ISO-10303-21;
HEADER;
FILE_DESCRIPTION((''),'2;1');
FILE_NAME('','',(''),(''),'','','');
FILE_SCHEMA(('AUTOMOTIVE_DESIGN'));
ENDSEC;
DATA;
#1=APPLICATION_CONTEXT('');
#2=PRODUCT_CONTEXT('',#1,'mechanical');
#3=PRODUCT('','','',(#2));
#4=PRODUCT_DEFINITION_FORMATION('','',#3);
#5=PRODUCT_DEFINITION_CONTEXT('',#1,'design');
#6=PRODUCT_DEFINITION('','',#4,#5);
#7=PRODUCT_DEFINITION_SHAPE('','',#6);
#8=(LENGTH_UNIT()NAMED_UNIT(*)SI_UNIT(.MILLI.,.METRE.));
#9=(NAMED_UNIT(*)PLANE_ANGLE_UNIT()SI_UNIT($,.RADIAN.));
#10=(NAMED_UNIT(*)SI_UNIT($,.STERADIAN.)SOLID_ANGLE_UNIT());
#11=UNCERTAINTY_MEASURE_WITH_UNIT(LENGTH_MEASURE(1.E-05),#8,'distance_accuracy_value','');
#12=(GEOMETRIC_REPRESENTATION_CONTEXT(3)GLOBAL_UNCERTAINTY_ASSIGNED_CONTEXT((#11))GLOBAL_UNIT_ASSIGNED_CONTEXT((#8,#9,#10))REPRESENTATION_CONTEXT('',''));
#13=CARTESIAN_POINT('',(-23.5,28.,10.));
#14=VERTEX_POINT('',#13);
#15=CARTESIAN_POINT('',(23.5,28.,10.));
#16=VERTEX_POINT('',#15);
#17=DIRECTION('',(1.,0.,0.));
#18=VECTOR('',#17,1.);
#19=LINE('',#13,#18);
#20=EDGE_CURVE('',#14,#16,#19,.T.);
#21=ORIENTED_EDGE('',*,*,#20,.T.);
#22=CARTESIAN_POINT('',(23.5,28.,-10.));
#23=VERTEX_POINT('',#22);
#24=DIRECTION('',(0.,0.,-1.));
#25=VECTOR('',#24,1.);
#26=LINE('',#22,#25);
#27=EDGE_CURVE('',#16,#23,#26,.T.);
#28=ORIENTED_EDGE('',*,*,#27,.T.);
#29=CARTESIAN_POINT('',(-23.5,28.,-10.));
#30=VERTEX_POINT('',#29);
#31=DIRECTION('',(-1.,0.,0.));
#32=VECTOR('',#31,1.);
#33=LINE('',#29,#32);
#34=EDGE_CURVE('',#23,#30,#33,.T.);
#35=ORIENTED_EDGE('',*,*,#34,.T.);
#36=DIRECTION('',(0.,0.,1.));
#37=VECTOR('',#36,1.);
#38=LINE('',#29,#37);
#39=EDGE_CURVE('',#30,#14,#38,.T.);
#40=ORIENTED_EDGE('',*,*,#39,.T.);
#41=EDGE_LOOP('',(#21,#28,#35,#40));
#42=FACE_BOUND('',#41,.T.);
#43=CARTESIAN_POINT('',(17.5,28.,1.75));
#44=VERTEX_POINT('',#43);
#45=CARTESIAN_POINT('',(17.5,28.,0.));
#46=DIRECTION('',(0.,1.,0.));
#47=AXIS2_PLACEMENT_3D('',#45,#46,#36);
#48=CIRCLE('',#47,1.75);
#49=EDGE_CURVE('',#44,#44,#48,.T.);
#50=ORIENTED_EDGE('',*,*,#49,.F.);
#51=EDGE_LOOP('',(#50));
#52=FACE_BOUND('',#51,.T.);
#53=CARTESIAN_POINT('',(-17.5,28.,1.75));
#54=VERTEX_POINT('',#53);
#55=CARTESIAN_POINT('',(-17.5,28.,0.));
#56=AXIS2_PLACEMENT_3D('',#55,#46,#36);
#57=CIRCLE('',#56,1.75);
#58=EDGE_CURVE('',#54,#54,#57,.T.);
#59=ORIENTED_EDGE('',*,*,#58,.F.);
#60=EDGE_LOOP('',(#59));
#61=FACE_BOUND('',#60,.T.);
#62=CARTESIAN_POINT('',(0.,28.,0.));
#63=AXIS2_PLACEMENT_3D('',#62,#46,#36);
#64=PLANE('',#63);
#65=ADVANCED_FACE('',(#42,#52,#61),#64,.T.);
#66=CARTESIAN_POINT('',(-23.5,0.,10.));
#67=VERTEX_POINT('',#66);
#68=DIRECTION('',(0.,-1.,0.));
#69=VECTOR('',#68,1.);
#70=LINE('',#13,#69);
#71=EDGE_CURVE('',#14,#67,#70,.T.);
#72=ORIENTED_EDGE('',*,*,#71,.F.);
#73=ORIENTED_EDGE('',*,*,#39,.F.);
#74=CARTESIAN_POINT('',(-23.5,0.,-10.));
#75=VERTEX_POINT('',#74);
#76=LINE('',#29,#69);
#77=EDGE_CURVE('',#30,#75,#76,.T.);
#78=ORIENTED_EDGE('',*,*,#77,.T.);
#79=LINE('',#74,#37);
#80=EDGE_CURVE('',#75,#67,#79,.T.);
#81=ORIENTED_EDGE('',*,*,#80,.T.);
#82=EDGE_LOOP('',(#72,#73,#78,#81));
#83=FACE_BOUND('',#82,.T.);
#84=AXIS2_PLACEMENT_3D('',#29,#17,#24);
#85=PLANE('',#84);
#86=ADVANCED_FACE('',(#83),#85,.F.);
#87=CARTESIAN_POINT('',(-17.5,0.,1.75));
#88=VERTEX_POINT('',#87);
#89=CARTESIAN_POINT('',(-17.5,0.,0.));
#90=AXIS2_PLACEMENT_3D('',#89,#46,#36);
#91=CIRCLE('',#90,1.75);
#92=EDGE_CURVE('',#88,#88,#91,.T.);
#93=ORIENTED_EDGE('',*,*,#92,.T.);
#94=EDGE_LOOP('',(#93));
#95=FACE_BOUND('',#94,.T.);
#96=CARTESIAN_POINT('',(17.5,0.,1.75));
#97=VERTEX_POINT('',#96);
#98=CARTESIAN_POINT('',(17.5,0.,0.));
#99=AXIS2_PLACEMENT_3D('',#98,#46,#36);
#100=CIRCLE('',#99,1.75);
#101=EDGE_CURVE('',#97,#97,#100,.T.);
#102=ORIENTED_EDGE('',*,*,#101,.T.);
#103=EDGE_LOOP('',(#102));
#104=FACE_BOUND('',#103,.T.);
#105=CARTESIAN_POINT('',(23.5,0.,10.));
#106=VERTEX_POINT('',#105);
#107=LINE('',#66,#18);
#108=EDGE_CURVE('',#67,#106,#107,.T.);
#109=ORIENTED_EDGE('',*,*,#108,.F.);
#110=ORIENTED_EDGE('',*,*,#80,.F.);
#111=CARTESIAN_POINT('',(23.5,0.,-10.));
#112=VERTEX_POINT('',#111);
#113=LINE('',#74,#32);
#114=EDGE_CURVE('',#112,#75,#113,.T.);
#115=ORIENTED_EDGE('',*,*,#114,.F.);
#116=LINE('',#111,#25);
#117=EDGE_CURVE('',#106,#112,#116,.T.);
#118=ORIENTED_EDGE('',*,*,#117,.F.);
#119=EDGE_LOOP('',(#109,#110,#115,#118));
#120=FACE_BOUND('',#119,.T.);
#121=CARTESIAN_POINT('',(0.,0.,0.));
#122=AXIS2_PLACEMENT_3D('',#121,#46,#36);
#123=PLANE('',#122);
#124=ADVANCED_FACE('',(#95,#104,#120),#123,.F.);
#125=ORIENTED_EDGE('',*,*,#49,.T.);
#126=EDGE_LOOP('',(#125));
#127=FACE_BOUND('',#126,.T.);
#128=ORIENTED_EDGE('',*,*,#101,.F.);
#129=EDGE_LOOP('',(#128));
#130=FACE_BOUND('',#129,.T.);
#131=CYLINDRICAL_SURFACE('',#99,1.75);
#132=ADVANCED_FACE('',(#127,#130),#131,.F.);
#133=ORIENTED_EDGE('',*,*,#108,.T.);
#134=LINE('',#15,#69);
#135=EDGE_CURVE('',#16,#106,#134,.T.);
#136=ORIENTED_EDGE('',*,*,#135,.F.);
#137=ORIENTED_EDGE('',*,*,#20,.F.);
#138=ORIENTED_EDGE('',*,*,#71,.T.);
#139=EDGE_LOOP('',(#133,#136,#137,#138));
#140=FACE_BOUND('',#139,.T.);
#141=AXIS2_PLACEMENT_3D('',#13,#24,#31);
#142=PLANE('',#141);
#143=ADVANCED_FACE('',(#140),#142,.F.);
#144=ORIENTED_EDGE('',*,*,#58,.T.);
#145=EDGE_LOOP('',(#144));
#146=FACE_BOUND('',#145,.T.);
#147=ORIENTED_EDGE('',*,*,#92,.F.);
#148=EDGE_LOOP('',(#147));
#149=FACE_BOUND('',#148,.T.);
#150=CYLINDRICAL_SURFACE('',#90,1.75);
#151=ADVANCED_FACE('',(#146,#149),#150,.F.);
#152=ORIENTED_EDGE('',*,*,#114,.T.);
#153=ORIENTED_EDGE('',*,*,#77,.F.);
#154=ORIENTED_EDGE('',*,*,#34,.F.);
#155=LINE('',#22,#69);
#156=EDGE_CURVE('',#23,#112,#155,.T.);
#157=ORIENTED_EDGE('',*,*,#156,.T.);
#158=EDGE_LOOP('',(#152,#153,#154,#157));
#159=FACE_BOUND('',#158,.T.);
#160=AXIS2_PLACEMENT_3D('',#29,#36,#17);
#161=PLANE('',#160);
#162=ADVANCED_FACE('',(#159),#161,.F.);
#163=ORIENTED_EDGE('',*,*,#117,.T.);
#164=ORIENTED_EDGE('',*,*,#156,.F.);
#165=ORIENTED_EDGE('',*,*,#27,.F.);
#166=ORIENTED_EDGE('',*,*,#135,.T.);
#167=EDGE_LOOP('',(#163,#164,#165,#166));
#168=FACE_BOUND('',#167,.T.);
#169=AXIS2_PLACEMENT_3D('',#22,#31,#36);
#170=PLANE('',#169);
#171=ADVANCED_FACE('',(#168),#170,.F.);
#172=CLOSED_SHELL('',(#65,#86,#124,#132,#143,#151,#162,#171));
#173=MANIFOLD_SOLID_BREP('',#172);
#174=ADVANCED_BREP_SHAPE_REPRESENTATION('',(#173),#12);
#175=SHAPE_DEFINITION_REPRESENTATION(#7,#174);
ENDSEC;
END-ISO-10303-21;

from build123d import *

# Parameters (mm, degrees)
SKETCH1_W           = 47
SKETCH1_H           = 20
BOSS_EXTRUDE1_DEPTH = 28
SKETCH2_R           = 1.75
CUT_EXTRUDE1_DEPTH  = 38.897889123


with BuildPart() as part:
    # Sketch1 → Boss-Extrude1 (new body)
    with BuildSketch(Plane(origin=(0, 0, 0), x_dir=(1, 0, 0), z_dir=(0, 1, 0))):
        Rectangle(SKETCH1_W, SKETCH1_H)
    extrude(amount=BOSS_EXTRUDE1_DEPTH)

    # Sketch2 → Cut-Extrude1 (cut, through all)
    with BuildSketch(Plane(origin=(0, 28, 0), x_dir=(1, 0, 0), z_dir=(0, 1, 0))):
        with Locations(Location((-17.5, 0, 0), (0, 0, 270))):
            Circle(SKETCH2_R)
        with Locations(Location((17.5, 0, 0), (0, 0, 270))):
            Circle(SKETCH2_R)
    extrude(amount=-CUT_EXTRUDE1_DEPTH, mode=Mode.SUBTRACT)


solid = part.part
